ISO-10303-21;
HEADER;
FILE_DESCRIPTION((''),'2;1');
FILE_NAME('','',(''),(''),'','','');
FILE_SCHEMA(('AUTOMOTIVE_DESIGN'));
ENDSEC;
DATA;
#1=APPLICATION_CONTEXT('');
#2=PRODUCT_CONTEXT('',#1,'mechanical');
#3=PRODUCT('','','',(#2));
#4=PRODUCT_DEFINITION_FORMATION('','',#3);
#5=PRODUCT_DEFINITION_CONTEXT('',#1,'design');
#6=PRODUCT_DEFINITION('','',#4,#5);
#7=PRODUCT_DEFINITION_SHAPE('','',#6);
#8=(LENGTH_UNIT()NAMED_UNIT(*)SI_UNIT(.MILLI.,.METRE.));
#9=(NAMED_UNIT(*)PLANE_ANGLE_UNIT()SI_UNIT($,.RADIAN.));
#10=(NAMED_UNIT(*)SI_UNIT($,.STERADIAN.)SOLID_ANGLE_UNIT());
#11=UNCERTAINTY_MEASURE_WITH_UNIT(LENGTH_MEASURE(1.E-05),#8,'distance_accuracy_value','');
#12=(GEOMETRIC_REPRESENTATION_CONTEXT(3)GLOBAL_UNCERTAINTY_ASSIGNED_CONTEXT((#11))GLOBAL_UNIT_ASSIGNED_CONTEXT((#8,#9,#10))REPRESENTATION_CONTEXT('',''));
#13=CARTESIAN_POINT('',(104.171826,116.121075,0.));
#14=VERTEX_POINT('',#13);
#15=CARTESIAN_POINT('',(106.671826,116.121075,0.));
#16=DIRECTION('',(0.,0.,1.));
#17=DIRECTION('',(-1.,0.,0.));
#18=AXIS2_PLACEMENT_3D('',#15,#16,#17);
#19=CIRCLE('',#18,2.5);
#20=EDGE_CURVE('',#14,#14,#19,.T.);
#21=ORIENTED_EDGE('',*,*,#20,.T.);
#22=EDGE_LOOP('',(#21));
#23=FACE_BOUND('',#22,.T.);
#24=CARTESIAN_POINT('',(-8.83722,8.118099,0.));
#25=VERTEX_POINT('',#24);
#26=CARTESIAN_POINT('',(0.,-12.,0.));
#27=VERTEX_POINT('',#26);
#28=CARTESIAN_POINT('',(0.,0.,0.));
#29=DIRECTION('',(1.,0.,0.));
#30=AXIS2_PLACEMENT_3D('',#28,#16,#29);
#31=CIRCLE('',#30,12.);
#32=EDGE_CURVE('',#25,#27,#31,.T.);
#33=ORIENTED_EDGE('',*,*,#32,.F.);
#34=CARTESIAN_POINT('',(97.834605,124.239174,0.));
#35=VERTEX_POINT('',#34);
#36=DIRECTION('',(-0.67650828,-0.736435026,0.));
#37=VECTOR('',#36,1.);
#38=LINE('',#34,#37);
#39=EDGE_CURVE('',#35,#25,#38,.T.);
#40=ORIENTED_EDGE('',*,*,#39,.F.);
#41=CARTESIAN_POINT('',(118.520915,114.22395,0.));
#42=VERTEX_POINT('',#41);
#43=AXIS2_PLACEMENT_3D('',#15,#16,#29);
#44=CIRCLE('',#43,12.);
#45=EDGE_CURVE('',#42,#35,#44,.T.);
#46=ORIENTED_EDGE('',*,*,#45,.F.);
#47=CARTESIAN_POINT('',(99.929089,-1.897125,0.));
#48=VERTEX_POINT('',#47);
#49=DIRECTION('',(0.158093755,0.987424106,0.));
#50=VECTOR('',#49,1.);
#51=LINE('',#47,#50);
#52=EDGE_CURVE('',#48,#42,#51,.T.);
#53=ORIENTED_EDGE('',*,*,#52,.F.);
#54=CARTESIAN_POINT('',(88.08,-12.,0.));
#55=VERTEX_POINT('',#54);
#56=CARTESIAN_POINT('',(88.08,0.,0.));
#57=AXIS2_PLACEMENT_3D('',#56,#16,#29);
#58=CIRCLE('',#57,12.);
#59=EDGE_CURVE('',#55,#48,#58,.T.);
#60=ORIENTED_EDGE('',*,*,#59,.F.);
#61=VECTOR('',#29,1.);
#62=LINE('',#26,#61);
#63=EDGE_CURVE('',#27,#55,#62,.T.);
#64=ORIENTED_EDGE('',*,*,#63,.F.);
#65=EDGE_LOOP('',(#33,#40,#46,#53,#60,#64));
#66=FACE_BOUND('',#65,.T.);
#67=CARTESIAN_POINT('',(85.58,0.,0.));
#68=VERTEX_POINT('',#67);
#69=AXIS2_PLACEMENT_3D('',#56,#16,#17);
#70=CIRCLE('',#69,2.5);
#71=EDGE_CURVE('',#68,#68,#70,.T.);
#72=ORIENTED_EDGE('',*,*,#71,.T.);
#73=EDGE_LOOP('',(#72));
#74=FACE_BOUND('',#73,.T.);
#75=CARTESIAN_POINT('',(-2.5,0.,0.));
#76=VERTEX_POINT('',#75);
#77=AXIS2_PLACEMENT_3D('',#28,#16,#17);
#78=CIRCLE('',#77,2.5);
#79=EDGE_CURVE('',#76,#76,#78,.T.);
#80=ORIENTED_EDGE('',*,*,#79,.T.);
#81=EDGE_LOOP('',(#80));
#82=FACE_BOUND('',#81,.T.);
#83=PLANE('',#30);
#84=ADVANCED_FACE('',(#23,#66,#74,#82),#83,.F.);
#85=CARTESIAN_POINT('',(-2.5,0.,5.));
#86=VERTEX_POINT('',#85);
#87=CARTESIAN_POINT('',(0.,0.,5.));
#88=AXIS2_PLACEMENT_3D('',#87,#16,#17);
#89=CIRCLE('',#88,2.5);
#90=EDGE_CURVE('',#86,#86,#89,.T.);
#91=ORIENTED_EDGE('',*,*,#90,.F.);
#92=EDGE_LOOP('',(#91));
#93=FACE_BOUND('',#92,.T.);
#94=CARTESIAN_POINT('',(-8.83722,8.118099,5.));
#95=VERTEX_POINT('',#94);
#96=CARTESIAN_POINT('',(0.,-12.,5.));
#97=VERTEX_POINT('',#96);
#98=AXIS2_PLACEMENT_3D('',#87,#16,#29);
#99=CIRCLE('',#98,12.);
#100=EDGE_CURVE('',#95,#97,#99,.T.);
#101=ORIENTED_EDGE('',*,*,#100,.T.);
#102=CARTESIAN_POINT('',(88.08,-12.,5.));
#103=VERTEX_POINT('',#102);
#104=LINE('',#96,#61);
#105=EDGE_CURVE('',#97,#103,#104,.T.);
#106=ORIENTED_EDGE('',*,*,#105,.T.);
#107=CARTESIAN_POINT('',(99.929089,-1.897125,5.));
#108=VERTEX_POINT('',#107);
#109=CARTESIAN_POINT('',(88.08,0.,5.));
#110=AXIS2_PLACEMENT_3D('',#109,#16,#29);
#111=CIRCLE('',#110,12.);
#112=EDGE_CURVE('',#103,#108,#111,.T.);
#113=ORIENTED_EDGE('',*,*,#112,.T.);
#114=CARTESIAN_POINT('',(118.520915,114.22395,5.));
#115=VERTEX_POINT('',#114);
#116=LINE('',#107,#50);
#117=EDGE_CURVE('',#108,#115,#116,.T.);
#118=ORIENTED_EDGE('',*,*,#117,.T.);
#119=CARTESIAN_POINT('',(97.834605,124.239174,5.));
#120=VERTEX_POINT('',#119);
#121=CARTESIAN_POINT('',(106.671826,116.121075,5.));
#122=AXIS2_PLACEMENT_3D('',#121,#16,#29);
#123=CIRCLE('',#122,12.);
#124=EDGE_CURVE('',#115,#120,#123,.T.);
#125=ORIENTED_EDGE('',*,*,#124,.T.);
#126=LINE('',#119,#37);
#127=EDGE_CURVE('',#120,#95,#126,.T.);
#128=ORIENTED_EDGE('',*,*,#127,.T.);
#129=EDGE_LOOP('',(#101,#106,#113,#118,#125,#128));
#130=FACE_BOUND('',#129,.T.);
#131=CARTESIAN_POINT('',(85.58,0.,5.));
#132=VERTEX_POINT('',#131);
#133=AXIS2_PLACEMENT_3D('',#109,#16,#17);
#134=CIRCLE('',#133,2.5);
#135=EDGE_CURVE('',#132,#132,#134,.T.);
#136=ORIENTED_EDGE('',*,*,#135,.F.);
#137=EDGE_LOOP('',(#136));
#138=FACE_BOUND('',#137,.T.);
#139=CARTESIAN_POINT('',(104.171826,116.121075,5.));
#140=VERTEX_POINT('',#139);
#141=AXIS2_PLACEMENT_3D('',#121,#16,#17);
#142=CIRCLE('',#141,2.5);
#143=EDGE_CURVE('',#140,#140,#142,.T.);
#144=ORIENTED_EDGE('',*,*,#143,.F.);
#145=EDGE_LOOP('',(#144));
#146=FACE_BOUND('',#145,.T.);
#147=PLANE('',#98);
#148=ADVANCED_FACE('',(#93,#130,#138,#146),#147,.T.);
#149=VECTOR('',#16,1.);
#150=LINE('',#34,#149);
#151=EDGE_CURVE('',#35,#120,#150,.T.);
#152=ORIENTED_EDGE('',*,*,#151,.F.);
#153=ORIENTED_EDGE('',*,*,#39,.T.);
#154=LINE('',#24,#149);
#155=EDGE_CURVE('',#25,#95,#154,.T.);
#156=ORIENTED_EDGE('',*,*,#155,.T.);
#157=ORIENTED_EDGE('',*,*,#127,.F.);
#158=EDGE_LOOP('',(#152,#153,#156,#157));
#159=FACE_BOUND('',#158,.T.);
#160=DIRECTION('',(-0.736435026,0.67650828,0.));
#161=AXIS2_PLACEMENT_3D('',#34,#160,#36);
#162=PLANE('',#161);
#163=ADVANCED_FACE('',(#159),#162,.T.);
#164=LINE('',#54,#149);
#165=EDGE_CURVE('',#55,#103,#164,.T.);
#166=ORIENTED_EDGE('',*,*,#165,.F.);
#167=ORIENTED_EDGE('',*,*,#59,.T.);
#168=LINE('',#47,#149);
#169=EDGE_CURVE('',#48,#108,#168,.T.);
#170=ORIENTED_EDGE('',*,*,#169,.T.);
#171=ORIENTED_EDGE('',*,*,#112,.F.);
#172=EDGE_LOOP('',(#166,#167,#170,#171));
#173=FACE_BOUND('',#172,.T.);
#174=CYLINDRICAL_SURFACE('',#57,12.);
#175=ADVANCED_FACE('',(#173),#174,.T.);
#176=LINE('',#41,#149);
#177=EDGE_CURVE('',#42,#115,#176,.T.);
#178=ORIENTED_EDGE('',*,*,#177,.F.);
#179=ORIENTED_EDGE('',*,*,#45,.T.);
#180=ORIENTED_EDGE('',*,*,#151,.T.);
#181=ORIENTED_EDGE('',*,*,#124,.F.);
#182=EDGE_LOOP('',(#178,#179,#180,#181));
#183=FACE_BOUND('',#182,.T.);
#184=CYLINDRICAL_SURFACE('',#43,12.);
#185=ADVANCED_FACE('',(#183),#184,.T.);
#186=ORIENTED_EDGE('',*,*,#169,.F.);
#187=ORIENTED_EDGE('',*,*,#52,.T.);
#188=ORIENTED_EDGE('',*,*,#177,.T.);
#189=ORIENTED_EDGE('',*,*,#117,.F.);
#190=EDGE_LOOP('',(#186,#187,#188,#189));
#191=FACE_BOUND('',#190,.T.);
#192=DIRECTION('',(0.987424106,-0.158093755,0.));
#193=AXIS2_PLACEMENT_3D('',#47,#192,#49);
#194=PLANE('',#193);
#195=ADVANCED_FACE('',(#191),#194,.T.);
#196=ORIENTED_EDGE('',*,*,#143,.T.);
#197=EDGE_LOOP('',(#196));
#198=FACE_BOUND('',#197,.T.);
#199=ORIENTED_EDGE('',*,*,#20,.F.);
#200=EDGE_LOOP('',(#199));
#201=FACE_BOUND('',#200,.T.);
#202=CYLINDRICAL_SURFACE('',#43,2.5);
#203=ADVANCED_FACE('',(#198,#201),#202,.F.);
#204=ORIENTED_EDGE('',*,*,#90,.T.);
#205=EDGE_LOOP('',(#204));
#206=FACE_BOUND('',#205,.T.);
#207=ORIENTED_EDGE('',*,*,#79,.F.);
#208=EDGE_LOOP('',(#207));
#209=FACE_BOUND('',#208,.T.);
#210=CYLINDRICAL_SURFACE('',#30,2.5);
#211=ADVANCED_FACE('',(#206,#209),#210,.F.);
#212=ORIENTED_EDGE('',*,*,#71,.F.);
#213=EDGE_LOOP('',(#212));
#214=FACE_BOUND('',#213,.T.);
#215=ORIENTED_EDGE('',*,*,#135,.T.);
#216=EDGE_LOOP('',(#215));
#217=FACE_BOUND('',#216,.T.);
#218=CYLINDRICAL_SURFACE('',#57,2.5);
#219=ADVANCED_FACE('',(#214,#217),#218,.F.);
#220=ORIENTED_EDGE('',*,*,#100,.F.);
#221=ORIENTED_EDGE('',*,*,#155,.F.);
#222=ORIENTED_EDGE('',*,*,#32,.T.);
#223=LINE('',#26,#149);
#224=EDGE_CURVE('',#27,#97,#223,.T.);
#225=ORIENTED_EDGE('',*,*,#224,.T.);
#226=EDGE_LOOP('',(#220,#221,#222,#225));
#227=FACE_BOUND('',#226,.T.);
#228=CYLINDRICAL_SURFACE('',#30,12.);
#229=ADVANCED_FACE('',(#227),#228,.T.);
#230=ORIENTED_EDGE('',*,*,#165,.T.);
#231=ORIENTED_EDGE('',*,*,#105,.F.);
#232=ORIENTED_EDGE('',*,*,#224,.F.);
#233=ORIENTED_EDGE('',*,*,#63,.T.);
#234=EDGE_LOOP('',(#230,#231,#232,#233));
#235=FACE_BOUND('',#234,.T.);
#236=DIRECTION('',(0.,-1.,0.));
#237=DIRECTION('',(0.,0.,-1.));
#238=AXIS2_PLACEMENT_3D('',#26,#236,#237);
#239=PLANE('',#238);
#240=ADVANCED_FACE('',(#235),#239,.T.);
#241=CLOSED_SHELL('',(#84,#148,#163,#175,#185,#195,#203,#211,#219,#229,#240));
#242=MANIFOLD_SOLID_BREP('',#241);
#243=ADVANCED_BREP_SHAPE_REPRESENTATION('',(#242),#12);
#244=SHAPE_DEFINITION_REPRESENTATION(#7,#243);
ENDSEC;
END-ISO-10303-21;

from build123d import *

# Parameters (mm, degrees)
SKETCH_1_R      = 2.5
EXTRUDE_1_DEPTH = 5


with BuildPart() as part:
    # 草图1 → 凸台-拉伸1 (new body)
    with BuildSketch(Plane.XY.offset(5)):
        with BuildLine():
            Line((0, -12), (88.080000003, -12))
            ThreePointArc((88.080000003, -12), (95.86570804, -9.131415574), (99.929089273, -1.897125062))
            Line((99.929089273, -1.897125062), (118.520914886, 114.223949773))
            ThreePointArc((118.520914886, 114.223949773), (111.900976478, 126.921814685), (97.834605309, 124.239174198))
            Line((97.834605309, 124.239174198), (-8.837220307, 8.118099363))
            ThreePointArc((-8.837220307, 8.118099363), (-10.986746388, -4.826116848), (0, -12))
        make_face()
        with Locations(Location((88.080000003, 0, 0), (0, 0, 180))):
            Circle(SKETCH_1_R, mode=Mode.SUBTRACT)
        with Locations(Location((106.671825617, 116.121074836, 0), (0, 0, 180))):
            Circle(SKETCH_1_R, mode=Mode.SUBTRACT)
        with Locations(Location((0, 0, 0), (0, 0, 180))):
            Circle(SKETCH_1_R, mode=Mode.SUBTRACT)
    extrude(amount=-EXTRUDE_1_DEPTH)


solid = part.part
